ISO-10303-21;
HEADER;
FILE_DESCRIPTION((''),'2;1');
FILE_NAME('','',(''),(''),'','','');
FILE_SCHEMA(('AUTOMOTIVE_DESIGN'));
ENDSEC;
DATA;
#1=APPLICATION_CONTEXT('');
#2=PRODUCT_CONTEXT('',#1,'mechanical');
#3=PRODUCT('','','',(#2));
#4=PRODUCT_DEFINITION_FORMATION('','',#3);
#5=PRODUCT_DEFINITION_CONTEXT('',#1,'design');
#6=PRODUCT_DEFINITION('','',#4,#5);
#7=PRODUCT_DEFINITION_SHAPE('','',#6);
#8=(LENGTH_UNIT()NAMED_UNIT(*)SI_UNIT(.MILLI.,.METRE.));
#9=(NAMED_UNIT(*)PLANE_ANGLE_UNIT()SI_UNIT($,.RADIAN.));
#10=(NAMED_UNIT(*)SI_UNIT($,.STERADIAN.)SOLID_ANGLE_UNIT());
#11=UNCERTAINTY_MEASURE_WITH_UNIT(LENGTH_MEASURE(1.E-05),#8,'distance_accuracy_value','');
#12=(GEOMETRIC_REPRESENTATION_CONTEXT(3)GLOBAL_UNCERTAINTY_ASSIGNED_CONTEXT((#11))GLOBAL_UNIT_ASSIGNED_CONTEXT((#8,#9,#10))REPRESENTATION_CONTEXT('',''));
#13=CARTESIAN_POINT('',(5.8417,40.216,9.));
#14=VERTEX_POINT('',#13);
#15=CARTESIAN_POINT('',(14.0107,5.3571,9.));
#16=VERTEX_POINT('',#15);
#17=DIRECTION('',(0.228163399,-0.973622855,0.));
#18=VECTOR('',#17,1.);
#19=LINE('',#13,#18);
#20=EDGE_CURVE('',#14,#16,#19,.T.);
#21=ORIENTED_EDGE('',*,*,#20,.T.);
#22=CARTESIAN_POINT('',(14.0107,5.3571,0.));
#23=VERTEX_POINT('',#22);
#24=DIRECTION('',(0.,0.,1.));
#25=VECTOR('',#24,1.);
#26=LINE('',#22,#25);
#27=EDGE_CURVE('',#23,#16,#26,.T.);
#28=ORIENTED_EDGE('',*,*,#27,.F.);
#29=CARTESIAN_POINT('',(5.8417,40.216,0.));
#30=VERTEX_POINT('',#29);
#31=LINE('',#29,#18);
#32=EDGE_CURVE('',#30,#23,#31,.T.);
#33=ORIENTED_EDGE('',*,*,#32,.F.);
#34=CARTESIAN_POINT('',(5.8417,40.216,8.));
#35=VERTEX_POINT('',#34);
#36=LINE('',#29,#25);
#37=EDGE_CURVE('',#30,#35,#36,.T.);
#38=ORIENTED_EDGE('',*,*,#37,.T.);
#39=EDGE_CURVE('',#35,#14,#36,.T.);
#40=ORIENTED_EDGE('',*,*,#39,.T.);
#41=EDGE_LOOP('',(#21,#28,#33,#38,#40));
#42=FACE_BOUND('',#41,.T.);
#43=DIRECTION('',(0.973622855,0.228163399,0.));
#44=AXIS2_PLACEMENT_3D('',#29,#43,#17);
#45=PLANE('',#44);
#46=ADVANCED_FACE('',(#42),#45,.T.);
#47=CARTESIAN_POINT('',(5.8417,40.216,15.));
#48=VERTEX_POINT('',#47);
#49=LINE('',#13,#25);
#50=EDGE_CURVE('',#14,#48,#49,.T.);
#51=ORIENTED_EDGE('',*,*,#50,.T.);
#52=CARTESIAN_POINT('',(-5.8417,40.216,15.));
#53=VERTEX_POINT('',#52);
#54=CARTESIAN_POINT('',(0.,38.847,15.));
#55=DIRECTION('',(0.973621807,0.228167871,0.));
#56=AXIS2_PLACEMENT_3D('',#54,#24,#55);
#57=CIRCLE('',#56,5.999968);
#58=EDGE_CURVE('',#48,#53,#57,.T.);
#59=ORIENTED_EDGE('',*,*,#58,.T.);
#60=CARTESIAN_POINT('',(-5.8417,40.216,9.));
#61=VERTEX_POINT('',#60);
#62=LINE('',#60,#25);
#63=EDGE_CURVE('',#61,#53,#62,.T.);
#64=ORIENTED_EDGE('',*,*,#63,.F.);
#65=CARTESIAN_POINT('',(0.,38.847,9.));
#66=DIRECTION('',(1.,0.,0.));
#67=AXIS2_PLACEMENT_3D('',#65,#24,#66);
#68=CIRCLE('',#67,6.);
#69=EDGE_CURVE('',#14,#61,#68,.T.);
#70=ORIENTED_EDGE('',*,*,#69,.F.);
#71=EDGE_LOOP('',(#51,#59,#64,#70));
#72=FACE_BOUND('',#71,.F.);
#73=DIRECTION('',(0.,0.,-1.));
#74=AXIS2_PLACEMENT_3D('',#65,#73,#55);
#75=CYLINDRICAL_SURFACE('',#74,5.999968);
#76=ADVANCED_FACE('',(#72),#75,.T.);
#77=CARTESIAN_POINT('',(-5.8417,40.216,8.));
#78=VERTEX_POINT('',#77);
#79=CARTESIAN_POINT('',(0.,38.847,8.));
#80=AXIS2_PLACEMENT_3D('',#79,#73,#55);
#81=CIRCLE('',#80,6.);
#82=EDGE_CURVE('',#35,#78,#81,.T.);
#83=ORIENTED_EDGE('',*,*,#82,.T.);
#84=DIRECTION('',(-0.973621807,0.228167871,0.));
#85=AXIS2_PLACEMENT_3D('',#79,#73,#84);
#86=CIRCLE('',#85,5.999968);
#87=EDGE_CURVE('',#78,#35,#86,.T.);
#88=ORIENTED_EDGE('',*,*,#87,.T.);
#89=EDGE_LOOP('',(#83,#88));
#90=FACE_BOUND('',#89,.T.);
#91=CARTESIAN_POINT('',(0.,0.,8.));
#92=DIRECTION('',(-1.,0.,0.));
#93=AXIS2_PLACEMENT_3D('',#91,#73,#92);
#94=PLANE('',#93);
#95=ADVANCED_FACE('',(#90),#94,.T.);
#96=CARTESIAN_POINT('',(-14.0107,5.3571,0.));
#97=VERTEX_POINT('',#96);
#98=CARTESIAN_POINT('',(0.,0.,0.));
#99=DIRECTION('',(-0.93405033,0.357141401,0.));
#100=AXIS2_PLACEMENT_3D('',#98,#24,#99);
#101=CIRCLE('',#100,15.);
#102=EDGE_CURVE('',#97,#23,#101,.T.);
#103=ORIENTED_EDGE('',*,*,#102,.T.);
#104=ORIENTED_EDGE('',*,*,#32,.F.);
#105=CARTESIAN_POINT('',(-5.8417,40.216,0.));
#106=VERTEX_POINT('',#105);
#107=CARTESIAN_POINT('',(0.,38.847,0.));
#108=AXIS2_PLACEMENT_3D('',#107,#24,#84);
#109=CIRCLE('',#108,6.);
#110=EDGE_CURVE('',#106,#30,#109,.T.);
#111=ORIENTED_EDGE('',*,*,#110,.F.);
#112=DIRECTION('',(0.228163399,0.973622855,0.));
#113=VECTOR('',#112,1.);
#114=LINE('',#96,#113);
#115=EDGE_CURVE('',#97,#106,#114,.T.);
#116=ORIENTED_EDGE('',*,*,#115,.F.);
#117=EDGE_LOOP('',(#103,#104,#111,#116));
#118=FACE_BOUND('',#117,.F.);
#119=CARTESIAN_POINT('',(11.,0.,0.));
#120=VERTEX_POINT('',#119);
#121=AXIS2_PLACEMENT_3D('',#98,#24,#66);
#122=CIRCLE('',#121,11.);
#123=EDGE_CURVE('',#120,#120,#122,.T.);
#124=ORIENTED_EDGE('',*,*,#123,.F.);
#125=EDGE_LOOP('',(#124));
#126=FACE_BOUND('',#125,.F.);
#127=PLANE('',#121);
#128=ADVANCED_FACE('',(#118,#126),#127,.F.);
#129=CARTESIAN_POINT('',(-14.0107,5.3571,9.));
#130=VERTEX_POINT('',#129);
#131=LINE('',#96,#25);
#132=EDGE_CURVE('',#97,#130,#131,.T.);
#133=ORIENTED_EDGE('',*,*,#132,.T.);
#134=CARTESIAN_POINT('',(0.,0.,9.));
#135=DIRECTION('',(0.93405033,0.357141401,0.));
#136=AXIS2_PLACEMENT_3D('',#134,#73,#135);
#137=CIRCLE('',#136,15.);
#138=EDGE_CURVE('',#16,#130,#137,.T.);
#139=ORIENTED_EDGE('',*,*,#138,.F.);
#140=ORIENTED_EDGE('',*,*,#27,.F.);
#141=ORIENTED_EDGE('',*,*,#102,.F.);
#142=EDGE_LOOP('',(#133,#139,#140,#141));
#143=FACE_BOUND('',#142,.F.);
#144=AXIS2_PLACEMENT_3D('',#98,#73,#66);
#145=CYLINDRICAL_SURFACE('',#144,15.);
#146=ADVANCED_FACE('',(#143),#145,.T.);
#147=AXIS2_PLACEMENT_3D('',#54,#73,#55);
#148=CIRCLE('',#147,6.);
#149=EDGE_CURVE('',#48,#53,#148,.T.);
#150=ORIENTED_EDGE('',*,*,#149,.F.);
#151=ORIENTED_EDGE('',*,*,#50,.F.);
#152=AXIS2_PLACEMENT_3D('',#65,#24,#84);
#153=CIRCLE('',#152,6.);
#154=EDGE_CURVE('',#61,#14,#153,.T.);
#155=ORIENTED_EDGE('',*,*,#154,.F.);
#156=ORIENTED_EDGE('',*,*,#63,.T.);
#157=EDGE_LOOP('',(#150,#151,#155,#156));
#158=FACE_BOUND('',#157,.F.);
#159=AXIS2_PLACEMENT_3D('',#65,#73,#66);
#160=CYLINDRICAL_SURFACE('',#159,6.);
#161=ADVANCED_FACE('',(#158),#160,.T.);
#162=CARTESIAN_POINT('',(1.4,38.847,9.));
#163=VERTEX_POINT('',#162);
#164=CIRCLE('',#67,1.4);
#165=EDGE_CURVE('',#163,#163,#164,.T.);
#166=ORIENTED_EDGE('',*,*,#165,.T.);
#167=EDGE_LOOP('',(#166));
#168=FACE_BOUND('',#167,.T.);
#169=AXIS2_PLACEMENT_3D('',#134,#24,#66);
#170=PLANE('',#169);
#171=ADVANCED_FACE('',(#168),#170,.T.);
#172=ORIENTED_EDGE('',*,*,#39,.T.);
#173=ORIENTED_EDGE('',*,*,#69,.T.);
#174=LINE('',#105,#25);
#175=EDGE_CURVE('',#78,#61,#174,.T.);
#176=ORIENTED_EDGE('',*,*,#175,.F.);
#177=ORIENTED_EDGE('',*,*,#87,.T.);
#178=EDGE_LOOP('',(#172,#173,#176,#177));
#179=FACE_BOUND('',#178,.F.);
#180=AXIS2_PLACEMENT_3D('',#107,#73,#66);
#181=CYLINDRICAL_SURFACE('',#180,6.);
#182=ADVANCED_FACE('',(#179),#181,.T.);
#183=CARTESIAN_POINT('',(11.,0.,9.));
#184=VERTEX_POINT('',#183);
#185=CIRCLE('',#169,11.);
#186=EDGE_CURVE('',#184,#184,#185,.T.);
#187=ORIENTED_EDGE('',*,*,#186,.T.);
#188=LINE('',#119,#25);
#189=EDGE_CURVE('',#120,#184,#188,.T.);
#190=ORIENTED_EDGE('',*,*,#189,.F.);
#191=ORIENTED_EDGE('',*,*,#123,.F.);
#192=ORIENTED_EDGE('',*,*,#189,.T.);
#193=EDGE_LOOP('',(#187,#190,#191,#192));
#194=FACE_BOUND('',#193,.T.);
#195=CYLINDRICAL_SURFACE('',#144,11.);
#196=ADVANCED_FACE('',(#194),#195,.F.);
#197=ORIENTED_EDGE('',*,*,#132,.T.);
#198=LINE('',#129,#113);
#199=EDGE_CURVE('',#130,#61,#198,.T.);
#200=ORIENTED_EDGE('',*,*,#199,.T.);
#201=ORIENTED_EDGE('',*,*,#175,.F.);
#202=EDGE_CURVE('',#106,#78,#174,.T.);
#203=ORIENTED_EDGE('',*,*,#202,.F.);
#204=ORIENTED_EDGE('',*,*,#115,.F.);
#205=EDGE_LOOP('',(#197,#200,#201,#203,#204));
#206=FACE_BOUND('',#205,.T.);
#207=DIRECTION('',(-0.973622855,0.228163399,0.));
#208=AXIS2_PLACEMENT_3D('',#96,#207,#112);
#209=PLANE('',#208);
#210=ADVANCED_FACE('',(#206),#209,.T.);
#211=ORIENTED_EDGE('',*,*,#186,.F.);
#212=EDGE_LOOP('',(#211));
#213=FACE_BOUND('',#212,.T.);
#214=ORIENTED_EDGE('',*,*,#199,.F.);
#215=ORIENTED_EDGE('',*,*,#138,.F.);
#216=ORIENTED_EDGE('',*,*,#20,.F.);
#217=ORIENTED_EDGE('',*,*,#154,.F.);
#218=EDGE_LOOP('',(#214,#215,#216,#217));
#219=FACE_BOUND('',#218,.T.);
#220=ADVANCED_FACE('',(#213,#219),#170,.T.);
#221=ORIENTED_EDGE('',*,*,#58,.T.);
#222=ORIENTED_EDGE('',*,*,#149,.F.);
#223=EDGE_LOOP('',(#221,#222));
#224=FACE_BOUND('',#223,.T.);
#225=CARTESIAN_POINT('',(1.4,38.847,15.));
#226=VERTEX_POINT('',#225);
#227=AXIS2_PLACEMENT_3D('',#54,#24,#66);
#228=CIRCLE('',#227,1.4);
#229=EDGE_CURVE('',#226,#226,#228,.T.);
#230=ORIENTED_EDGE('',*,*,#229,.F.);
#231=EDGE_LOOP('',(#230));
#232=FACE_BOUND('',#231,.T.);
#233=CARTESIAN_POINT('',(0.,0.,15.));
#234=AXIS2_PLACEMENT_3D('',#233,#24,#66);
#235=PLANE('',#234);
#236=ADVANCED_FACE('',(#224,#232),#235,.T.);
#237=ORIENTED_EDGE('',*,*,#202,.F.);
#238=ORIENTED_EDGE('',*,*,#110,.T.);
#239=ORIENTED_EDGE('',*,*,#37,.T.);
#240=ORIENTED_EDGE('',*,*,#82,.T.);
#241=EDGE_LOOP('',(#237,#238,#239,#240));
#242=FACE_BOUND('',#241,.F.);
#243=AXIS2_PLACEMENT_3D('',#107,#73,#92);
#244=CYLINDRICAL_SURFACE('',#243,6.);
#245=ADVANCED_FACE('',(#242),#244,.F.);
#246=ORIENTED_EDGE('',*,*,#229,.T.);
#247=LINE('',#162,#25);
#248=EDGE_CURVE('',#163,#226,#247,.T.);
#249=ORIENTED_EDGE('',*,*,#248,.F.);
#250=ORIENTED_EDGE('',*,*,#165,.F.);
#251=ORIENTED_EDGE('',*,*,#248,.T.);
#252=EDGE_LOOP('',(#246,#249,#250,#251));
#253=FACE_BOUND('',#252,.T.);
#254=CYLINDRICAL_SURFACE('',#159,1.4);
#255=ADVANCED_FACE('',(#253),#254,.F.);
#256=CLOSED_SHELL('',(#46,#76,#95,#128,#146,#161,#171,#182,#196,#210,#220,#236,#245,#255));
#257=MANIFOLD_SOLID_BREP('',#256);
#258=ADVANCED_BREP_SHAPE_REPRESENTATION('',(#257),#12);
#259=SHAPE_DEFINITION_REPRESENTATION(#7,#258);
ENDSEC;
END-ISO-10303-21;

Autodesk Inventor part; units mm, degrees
ref_plane "YZ Plane" through (0, 0, 0) normal (1, 0, 0) x (0, 1, 0)
ref_plane "XZ Plane" through (0, 0, 0) normal (0, 1, 0) x (-1, 0, 0)
ref_plane "XY Plane" through (0, 0, 0) normal (0, 0, 1) x (1, 0, 0)
sketch "Sketch1" plane through (0, 0, 0) normal (0, 0, 1) x (1, 0, 0)
  circle A0 centre (0, 0) radius 3.75 projected
  circle A1 centre (0, 0) radius 15 projected
  arc A2 (-0.5916, -14.9883) -> (-0.5916, -14.9883) centre (0, 0) ccw
  circle A3 centre (0, 38.847) radius 6
  circle A4 centre (0, 0) radius 11
  line L0 (5.8417, 40.216) -> (14.0107, 5.3571)
  line L1 (-14.0107, 5.3571) -> (-5.8417, 40.216)
  point P0 (-13.5955, 6.3373)
  point P1 (13.5955, 6.3373)
  point P2 (23.3721, 30.2282)
  dimension "d0" = 30
  dimension "d3" = 12
  dimension "d8" = 22
  dimension "d10" = 38.847
extrude "Extrusion1" add sketch "Sketch1" along normal blind 9 contours A1 | A1 L1 A3 L0 | A3
sketch "Sketch2" plane through (0, 0, 9) normal (0, 0, 1) x (1, 0, 0)
  circle A0 centre (0, 38.847) radius 6
  arc A1 (5.8417, 40.216) -> (-5.8417, 40.216) centre (0, 38.847) ccw projected
  circle A2 centre (0, 38.847) radius 1.4
  point P0 (0, 0)
  dimension "d4" = 12
  dimension "d11" = 2.8
extrude "Extrusion2" add sketch "Sketch2" along normal blind 6
sketch "Sketch3" plane through (0, 0, 0) normal (0, 0, -1) x (-1, 0, 0)
  arc A0 (5.8417, 40.216) -> (-5.8417, 40.216) centre (0, 38.847) ccw projected
  circle A1 centre (0, 38.847) radius 6
  point P0 (0, 0)
  dimension "d12" = 12
extrude "Extrusion3" cut sketch "Sketch3" against normal blind 8
properties part number "ClickSpringBacking"
